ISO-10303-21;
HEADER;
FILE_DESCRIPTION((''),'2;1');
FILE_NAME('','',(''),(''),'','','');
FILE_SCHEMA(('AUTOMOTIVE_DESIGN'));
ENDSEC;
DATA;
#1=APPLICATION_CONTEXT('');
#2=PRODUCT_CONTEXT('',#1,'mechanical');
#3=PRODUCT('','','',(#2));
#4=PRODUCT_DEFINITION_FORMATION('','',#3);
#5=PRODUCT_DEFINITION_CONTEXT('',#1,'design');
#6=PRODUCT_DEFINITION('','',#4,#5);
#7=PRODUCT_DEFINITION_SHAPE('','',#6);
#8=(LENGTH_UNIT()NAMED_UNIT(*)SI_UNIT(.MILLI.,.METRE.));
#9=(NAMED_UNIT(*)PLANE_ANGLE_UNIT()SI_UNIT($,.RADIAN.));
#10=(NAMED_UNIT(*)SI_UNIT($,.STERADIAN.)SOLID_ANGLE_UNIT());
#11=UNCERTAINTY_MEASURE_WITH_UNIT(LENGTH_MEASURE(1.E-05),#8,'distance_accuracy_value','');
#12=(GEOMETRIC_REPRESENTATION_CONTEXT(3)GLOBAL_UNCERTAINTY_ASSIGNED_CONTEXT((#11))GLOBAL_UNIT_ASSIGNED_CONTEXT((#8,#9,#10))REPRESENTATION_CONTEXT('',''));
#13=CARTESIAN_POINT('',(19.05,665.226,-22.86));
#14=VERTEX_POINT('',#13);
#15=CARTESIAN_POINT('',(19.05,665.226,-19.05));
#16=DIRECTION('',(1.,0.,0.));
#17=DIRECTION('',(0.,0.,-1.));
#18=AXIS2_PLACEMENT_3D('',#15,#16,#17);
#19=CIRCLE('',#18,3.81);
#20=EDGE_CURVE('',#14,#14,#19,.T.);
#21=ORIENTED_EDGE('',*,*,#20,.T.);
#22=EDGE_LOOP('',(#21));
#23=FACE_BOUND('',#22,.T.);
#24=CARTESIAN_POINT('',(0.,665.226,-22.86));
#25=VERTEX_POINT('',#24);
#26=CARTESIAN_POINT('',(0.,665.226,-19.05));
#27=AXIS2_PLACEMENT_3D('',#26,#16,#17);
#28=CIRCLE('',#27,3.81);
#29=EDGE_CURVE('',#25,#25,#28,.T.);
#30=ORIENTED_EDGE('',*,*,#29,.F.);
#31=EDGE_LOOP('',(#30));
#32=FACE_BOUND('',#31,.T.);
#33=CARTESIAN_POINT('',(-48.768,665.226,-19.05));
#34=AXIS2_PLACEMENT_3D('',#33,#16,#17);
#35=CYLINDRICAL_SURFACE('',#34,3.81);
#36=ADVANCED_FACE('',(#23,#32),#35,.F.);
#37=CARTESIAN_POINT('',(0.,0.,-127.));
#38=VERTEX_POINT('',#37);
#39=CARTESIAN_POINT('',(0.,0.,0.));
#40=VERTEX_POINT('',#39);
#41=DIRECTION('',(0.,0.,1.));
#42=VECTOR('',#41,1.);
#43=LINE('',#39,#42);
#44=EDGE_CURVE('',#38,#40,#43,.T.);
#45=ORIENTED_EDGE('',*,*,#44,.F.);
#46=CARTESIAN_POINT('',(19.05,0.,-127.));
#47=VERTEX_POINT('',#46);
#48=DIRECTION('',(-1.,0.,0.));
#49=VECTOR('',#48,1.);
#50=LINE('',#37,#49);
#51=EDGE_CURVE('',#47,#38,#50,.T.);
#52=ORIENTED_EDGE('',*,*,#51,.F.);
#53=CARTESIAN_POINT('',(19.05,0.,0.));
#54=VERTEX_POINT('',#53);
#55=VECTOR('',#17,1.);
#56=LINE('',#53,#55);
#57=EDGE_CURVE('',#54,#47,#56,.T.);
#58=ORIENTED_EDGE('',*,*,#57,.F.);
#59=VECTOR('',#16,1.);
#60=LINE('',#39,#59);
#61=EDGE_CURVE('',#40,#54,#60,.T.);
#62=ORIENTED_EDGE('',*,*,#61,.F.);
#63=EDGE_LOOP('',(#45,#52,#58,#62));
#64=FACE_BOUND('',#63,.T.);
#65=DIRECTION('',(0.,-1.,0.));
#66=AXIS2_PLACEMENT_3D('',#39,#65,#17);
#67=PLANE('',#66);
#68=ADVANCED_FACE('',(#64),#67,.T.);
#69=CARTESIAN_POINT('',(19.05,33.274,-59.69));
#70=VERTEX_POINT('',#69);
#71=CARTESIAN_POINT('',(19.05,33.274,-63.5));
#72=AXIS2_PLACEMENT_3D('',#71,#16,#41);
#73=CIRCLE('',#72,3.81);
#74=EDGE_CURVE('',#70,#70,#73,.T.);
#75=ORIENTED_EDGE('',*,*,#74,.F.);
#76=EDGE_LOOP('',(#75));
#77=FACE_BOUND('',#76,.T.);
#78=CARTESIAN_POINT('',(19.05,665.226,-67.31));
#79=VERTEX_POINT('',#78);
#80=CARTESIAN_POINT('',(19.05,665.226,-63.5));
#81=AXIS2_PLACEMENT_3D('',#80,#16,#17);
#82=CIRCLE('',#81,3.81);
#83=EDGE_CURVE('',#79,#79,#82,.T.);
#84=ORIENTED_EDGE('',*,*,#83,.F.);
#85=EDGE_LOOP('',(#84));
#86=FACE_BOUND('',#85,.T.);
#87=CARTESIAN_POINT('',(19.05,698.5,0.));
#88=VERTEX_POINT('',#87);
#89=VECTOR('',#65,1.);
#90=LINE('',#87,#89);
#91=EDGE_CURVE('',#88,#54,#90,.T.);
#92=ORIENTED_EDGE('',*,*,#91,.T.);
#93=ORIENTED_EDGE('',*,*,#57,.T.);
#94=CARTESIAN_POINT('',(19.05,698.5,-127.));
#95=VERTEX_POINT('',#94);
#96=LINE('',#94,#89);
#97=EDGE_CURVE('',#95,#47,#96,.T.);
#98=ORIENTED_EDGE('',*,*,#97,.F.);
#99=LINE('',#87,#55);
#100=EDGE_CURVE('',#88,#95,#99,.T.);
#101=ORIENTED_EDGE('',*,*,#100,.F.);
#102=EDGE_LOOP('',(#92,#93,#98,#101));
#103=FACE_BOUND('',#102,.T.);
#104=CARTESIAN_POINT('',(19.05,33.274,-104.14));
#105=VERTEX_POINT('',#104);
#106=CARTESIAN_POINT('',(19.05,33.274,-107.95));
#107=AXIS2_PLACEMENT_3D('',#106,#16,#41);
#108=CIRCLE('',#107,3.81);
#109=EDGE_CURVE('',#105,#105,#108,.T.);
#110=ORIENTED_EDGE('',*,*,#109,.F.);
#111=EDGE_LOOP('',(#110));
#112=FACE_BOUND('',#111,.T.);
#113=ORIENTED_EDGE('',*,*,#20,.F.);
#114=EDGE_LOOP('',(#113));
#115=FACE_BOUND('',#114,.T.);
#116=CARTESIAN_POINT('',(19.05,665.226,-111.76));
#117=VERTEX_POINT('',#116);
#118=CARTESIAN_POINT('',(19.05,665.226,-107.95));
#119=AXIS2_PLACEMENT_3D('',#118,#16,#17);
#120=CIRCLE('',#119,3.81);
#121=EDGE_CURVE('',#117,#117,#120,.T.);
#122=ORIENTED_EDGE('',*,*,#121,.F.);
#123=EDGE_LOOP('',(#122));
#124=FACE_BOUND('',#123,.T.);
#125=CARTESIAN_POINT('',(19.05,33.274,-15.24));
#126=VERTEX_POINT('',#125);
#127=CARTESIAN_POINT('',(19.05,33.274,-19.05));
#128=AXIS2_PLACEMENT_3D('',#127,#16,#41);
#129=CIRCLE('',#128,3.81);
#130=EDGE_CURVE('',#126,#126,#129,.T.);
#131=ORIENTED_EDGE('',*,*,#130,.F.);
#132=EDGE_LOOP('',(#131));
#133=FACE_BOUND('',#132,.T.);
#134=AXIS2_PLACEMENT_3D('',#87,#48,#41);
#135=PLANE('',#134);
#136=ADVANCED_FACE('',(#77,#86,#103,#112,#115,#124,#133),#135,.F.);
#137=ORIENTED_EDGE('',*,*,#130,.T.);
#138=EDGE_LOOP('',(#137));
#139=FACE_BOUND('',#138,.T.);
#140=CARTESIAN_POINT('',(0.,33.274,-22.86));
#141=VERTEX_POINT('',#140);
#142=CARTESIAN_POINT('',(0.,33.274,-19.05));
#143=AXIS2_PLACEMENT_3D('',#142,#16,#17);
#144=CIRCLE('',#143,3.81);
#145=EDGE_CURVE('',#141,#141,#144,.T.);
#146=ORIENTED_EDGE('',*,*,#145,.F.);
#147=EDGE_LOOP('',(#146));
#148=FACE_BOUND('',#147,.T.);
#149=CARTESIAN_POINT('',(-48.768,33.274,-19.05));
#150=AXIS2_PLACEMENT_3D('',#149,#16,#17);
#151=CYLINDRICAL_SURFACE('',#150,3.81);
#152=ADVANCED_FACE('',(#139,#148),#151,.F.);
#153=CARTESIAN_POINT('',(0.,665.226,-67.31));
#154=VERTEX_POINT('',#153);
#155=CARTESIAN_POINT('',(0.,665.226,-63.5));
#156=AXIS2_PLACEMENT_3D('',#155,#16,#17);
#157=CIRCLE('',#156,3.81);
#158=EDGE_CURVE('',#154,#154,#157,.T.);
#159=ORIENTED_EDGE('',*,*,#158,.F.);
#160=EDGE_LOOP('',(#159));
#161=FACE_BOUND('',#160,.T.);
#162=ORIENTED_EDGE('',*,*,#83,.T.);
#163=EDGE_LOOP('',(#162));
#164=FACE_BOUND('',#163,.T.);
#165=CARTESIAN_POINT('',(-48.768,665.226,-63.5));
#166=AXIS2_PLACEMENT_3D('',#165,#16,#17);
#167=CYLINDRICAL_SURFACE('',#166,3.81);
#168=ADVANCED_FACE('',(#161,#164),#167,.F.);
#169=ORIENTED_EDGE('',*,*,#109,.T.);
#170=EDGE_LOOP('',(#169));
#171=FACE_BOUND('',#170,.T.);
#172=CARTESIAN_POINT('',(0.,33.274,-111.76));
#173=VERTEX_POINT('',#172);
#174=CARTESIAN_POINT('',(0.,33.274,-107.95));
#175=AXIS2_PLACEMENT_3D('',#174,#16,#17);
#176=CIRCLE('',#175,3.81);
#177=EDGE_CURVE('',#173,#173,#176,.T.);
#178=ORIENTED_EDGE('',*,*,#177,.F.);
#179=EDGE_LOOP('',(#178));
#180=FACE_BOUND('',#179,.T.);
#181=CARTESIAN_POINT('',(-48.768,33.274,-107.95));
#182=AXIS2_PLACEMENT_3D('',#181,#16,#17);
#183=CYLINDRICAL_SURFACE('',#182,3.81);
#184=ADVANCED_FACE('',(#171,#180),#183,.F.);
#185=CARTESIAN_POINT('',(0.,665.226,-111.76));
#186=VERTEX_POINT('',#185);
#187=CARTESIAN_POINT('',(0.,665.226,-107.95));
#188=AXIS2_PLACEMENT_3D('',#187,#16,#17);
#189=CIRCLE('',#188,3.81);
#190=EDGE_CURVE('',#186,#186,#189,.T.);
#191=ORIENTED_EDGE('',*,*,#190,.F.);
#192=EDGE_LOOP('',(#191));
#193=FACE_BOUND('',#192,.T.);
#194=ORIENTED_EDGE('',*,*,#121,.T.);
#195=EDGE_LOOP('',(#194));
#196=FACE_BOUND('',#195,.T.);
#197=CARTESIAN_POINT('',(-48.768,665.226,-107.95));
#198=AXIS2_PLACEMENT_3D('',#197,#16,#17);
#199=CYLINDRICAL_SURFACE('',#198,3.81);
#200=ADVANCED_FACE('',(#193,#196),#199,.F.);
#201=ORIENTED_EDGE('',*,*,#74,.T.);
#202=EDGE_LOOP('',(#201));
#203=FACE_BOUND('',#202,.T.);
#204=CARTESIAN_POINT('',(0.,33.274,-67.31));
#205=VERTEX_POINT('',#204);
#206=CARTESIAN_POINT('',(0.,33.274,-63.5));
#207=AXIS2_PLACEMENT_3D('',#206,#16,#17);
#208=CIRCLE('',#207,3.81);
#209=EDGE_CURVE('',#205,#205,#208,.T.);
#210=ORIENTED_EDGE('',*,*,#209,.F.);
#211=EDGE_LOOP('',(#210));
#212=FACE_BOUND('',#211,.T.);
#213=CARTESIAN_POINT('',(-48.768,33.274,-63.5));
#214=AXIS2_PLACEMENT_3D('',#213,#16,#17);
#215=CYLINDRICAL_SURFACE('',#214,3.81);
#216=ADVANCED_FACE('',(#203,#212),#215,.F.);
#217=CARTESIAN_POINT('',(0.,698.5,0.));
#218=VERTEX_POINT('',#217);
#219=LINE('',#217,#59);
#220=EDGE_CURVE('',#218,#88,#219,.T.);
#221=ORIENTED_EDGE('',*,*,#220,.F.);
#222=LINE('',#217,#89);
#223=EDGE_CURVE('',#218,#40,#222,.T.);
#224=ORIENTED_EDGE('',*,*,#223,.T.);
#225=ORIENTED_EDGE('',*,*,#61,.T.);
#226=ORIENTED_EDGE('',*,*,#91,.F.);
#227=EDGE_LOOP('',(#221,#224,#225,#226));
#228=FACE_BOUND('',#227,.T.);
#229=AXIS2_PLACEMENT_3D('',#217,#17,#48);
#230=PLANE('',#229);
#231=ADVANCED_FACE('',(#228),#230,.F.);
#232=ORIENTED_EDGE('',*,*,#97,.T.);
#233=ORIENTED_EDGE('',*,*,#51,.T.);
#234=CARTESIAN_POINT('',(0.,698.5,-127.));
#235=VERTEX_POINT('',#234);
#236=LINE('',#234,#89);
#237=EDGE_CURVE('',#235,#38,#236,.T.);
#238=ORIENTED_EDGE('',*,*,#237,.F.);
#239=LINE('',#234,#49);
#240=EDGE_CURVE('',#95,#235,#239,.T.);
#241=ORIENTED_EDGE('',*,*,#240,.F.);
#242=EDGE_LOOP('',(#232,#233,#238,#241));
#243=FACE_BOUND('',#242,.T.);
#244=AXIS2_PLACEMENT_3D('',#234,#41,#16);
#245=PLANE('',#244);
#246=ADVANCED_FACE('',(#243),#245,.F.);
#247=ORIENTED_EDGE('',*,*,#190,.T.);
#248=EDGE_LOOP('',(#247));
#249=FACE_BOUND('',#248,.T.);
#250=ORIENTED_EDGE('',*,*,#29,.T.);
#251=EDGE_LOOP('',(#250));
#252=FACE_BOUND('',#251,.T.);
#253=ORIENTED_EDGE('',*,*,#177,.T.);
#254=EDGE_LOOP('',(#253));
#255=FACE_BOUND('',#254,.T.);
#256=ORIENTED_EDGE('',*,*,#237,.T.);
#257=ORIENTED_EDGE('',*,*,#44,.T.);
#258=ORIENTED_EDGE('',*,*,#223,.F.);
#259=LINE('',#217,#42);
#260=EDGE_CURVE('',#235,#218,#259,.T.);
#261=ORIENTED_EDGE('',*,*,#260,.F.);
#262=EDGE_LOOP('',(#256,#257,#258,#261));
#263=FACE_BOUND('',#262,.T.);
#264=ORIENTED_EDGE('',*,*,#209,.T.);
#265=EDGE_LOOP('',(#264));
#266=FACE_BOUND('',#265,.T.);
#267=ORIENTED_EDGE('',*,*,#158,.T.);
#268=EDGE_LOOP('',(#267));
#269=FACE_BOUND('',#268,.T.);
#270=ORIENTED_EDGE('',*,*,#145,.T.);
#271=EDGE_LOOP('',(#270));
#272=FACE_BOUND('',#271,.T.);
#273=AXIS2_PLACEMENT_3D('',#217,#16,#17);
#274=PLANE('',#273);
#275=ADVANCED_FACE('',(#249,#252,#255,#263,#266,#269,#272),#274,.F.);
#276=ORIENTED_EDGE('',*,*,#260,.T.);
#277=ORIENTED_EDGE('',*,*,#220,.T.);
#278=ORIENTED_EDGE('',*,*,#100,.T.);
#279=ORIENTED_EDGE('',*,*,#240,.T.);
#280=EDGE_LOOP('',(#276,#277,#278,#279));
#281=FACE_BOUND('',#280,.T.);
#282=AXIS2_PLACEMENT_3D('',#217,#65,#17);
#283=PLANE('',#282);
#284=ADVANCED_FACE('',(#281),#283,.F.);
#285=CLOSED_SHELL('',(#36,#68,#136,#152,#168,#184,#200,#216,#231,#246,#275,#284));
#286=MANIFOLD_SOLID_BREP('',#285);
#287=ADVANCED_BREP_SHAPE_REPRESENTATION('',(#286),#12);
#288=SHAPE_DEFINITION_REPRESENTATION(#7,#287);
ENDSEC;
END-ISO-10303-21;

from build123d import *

# Parameters (mm, degrees)
SKETCH1_W           = 19.05
SKETCH1_H           = 127
BOSS_EXTRUDE1_DEPTH = 698.5
SKETCH2_R           = 3.81
CUT_EXTRUDE1_DEPTH  = 67.818


with BuildPart() as part:
    # Sketch1 → Boss-Extrude1 (new body)
    with BuildSketch(Plane(origin=(0, 0, 0), x_dir=(1, 0, 0), z_dir=(0, 1, 0))):
        with Locations((9.525, 63.5)):
            Rectangle(SKETCH1_W, SKETCH1_H)
    extrude(amount=BOSS_EXTRUDE1_DEPTH)

    # Sketch2 → Cut-Extrude1 (cut)
    with BuildSketch(Plane(origin=(19.05, 0, 0), x_dir=(0, 0, -1), z_dir=(1, 0, 0))):
        with Locations((107.95, 665.226)):
            Circle(SKETCH2_R)
        with Locations((63.5, 665.226)):
            Circle(SKETCH2_R)
        with Locations((19.05, 665.226)):
            Circle(SKETCH2_R)
        with Locations((19.05, 33.274)):
            Circle(SKETCH2_R)
        with Locations((63.5, 33.274)):
            Circle(SKETCH2_R)
        with Locations((107.95, 33.274)):
            Circle(SKETCH2_R)
    extrude(amount=-CUT_EXTRUDE1_DEPTH, mode=Mode.SUBTRACT)


solid = part.part
